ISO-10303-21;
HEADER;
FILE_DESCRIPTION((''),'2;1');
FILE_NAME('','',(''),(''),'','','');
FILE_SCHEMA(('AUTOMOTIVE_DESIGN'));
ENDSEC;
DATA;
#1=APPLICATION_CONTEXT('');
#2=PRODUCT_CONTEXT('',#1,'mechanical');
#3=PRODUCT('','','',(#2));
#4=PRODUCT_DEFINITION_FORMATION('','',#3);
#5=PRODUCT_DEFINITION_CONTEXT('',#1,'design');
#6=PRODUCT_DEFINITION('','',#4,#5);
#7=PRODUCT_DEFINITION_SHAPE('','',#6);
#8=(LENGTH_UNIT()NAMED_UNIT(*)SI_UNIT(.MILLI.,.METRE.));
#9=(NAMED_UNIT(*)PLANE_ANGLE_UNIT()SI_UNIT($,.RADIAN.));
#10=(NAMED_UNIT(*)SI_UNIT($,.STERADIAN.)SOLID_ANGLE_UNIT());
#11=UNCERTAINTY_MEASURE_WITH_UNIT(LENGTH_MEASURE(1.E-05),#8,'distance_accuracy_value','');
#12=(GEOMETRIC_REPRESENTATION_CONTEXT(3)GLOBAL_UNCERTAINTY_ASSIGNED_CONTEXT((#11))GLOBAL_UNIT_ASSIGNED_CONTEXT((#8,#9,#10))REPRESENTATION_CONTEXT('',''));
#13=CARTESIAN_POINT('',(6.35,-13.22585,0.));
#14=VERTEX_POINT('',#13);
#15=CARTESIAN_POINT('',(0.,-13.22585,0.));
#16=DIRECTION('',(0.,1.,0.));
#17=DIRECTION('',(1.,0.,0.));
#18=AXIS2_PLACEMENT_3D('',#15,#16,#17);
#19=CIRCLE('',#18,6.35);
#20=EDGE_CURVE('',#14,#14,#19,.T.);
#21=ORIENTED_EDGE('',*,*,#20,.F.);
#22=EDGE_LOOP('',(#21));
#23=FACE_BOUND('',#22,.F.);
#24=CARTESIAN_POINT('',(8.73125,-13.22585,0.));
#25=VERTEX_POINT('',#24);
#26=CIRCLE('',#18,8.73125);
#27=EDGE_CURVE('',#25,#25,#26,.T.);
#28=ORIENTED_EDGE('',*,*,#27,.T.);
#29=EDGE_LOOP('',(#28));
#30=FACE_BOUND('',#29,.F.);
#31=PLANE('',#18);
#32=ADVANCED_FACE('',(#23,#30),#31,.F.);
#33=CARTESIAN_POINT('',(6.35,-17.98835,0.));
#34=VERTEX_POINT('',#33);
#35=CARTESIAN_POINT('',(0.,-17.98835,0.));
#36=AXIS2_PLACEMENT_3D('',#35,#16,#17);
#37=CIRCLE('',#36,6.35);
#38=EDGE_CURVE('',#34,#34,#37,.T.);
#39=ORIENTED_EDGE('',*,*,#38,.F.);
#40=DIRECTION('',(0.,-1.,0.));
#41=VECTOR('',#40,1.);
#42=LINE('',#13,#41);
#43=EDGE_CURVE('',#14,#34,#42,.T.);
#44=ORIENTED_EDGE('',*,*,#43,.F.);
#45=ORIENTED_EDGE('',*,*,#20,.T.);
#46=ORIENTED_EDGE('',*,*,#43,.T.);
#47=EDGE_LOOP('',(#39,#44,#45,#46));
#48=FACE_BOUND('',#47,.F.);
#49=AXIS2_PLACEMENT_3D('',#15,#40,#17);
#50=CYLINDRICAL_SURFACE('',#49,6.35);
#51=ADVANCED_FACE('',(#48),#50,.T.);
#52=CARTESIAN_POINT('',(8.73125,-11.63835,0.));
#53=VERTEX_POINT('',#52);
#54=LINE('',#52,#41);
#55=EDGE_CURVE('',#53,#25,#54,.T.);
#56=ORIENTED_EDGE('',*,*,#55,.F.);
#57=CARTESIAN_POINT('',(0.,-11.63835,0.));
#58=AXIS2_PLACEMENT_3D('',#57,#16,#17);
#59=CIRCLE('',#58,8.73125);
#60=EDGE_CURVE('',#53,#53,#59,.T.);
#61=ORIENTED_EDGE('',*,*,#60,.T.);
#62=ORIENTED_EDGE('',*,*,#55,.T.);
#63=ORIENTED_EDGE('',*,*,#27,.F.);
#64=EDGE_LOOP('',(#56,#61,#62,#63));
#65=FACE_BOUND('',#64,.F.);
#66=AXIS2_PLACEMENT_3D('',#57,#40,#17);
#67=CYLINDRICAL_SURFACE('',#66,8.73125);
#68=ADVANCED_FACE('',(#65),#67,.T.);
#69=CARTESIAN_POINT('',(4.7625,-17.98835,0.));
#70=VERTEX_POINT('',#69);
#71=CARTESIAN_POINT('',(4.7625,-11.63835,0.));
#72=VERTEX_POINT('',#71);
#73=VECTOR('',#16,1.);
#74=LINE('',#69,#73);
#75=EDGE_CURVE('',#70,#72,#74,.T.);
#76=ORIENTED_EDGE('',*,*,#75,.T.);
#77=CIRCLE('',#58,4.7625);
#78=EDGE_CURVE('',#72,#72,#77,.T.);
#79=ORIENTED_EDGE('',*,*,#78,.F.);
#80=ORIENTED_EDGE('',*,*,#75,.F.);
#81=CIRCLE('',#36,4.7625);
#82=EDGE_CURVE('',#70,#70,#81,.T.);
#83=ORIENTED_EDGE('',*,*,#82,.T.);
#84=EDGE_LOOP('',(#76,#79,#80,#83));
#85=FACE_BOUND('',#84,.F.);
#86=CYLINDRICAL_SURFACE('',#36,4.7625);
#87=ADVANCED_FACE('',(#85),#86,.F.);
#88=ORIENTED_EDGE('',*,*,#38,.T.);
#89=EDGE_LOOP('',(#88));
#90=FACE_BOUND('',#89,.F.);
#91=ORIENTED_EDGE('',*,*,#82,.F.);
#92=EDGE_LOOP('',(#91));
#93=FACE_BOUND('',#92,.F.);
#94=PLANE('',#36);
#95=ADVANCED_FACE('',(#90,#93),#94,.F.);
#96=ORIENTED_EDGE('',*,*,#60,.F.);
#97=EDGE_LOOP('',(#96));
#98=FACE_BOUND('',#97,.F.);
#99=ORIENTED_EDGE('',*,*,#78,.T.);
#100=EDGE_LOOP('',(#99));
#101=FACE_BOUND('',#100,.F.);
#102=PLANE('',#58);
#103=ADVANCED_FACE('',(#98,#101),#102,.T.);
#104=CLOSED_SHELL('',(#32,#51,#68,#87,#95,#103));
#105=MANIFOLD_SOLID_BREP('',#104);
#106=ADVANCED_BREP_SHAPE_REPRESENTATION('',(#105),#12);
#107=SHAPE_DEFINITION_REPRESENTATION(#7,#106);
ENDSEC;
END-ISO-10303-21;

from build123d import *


with BuildPart() as part:
    # Sketch1 → Revolve1 (revolve)
    with BuildSketch(Plane.XY):
        Polygon((4.7625, -11.638350357), (8.73125, -11.638350357), (8.73125, -13.225850357), (6.35, -13.225850357), (6.35, -17.988350357), (4.7625, -17.988350357), align=None)
    revolve(axis=Axis((0, -55, 0), (0, 1, 0)))


solid = part.part
